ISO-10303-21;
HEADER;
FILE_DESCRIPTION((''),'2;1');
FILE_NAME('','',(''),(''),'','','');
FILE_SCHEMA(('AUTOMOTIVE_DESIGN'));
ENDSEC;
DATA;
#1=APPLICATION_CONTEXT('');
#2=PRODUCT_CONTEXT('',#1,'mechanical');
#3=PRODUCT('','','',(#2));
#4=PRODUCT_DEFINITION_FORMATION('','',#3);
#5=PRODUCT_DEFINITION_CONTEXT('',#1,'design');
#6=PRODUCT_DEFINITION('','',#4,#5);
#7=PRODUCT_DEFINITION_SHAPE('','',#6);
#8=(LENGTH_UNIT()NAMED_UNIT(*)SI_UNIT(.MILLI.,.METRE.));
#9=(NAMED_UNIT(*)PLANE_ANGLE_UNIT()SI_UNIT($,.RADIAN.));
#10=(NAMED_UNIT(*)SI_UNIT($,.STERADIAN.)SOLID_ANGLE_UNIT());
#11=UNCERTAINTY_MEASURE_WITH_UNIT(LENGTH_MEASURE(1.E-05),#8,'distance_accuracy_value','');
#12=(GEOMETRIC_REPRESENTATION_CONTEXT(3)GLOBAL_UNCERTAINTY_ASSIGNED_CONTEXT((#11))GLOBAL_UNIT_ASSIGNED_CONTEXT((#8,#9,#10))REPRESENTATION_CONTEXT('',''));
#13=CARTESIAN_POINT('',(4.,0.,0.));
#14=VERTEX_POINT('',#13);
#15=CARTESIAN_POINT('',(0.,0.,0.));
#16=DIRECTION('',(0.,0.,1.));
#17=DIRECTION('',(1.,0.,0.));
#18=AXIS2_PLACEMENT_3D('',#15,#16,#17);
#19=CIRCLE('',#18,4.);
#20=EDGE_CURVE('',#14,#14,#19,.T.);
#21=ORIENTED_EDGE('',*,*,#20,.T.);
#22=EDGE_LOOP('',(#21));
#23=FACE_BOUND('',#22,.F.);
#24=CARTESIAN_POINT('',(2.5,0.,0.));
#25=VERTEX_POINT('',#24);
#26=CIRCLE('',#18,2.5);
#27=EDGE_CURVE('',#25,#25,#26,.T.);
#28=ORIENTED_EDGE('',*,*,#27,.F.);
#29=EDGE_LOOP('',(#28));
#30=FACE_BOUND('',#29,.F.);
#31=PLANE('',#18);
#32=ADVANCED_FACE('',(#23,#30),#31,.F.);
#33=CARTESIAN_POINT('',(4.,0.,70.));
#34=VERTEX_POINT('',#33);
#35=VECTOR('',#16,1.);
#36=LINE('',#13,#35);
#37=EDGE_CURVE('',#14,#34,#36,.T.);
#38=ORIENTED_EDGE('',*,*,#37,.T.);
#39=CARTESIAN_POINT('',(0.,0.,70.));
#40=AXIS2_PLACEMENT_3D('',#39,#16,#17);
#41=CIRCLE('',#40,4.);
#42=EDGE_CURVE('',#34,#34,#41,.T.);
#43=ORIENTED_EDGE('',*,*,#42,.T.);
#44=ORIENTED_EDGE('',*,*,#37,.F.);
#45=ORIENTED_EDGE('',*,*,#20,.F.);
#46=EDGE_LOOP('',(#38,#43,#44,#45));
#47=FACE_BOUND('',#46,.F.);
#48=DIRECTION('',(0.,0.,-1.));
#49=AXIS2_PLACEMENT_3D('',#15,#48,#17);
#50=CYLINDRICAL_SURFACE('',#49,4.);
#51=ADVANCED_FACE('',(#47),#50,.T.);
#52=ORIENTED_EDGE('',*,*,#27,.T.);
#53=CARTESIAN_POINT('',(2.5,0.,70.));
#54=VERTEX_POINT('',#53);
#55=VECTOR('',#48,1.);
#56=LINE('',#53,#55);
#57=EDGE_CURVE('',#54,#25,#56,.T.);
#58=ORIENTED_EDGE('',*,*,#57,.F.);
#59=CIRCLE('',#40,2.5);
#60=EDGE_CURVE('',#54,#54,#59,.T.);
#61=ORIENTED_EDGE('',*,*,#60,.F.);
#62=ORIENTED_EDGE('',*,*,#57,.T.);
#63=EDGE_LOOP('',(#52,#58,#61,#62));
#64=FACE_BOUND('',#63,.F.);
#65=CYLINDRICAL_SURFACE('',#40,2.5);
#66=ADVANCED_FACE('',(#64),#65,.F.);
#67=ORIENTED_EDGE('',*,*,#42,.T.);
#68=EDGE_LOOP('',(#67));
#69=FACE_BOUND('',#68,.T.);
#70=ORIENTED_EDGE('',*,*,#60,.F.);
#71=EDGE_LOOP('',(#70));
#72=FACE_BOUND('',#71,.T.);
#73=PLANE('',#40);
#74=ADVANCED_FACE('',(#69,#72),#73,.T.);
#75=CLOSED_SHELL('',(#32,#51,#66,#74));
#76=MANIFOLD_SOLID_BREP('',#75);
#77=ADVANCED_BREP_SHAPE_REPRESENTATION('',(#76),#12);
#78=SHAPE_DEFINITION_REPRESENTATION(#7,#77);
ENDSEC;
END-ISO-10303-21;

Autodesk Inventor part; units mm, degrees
ref_plane "YZ Plane" through (0, 0, 0) normal (1, 0, 0) x (0, 1, 0)
ref_plane "XZ Plane" through (0, 0, 0) normal (0, 1, 0) x (-1, 0, 0)
ref_plane "XY Plane" through (0, 0, 0) normal (0, 0, 1) x (1, 0, 0)
sketch "Sketch1" plane through (0, 0, 0) normal (0, 0, 1) x (1, 0, 0)
  circle A0 centre (0, 0) radius 4
  dimension "d0" = 8
extrude "Extrusion1" add sketch "Sketch1" along normal blind 70
sketch "Sketch2" plane through (0, 0, 70) normal (0, 0, 1) x (1, 0, 0)
  circle A0 centre (0, 0) radius 2.5
  dimension "d3" = 5
extrude "Extrusion2" cut sketch "Sketch2" against normal through all
properties part number "FA011" material "Steel, Carbon"
